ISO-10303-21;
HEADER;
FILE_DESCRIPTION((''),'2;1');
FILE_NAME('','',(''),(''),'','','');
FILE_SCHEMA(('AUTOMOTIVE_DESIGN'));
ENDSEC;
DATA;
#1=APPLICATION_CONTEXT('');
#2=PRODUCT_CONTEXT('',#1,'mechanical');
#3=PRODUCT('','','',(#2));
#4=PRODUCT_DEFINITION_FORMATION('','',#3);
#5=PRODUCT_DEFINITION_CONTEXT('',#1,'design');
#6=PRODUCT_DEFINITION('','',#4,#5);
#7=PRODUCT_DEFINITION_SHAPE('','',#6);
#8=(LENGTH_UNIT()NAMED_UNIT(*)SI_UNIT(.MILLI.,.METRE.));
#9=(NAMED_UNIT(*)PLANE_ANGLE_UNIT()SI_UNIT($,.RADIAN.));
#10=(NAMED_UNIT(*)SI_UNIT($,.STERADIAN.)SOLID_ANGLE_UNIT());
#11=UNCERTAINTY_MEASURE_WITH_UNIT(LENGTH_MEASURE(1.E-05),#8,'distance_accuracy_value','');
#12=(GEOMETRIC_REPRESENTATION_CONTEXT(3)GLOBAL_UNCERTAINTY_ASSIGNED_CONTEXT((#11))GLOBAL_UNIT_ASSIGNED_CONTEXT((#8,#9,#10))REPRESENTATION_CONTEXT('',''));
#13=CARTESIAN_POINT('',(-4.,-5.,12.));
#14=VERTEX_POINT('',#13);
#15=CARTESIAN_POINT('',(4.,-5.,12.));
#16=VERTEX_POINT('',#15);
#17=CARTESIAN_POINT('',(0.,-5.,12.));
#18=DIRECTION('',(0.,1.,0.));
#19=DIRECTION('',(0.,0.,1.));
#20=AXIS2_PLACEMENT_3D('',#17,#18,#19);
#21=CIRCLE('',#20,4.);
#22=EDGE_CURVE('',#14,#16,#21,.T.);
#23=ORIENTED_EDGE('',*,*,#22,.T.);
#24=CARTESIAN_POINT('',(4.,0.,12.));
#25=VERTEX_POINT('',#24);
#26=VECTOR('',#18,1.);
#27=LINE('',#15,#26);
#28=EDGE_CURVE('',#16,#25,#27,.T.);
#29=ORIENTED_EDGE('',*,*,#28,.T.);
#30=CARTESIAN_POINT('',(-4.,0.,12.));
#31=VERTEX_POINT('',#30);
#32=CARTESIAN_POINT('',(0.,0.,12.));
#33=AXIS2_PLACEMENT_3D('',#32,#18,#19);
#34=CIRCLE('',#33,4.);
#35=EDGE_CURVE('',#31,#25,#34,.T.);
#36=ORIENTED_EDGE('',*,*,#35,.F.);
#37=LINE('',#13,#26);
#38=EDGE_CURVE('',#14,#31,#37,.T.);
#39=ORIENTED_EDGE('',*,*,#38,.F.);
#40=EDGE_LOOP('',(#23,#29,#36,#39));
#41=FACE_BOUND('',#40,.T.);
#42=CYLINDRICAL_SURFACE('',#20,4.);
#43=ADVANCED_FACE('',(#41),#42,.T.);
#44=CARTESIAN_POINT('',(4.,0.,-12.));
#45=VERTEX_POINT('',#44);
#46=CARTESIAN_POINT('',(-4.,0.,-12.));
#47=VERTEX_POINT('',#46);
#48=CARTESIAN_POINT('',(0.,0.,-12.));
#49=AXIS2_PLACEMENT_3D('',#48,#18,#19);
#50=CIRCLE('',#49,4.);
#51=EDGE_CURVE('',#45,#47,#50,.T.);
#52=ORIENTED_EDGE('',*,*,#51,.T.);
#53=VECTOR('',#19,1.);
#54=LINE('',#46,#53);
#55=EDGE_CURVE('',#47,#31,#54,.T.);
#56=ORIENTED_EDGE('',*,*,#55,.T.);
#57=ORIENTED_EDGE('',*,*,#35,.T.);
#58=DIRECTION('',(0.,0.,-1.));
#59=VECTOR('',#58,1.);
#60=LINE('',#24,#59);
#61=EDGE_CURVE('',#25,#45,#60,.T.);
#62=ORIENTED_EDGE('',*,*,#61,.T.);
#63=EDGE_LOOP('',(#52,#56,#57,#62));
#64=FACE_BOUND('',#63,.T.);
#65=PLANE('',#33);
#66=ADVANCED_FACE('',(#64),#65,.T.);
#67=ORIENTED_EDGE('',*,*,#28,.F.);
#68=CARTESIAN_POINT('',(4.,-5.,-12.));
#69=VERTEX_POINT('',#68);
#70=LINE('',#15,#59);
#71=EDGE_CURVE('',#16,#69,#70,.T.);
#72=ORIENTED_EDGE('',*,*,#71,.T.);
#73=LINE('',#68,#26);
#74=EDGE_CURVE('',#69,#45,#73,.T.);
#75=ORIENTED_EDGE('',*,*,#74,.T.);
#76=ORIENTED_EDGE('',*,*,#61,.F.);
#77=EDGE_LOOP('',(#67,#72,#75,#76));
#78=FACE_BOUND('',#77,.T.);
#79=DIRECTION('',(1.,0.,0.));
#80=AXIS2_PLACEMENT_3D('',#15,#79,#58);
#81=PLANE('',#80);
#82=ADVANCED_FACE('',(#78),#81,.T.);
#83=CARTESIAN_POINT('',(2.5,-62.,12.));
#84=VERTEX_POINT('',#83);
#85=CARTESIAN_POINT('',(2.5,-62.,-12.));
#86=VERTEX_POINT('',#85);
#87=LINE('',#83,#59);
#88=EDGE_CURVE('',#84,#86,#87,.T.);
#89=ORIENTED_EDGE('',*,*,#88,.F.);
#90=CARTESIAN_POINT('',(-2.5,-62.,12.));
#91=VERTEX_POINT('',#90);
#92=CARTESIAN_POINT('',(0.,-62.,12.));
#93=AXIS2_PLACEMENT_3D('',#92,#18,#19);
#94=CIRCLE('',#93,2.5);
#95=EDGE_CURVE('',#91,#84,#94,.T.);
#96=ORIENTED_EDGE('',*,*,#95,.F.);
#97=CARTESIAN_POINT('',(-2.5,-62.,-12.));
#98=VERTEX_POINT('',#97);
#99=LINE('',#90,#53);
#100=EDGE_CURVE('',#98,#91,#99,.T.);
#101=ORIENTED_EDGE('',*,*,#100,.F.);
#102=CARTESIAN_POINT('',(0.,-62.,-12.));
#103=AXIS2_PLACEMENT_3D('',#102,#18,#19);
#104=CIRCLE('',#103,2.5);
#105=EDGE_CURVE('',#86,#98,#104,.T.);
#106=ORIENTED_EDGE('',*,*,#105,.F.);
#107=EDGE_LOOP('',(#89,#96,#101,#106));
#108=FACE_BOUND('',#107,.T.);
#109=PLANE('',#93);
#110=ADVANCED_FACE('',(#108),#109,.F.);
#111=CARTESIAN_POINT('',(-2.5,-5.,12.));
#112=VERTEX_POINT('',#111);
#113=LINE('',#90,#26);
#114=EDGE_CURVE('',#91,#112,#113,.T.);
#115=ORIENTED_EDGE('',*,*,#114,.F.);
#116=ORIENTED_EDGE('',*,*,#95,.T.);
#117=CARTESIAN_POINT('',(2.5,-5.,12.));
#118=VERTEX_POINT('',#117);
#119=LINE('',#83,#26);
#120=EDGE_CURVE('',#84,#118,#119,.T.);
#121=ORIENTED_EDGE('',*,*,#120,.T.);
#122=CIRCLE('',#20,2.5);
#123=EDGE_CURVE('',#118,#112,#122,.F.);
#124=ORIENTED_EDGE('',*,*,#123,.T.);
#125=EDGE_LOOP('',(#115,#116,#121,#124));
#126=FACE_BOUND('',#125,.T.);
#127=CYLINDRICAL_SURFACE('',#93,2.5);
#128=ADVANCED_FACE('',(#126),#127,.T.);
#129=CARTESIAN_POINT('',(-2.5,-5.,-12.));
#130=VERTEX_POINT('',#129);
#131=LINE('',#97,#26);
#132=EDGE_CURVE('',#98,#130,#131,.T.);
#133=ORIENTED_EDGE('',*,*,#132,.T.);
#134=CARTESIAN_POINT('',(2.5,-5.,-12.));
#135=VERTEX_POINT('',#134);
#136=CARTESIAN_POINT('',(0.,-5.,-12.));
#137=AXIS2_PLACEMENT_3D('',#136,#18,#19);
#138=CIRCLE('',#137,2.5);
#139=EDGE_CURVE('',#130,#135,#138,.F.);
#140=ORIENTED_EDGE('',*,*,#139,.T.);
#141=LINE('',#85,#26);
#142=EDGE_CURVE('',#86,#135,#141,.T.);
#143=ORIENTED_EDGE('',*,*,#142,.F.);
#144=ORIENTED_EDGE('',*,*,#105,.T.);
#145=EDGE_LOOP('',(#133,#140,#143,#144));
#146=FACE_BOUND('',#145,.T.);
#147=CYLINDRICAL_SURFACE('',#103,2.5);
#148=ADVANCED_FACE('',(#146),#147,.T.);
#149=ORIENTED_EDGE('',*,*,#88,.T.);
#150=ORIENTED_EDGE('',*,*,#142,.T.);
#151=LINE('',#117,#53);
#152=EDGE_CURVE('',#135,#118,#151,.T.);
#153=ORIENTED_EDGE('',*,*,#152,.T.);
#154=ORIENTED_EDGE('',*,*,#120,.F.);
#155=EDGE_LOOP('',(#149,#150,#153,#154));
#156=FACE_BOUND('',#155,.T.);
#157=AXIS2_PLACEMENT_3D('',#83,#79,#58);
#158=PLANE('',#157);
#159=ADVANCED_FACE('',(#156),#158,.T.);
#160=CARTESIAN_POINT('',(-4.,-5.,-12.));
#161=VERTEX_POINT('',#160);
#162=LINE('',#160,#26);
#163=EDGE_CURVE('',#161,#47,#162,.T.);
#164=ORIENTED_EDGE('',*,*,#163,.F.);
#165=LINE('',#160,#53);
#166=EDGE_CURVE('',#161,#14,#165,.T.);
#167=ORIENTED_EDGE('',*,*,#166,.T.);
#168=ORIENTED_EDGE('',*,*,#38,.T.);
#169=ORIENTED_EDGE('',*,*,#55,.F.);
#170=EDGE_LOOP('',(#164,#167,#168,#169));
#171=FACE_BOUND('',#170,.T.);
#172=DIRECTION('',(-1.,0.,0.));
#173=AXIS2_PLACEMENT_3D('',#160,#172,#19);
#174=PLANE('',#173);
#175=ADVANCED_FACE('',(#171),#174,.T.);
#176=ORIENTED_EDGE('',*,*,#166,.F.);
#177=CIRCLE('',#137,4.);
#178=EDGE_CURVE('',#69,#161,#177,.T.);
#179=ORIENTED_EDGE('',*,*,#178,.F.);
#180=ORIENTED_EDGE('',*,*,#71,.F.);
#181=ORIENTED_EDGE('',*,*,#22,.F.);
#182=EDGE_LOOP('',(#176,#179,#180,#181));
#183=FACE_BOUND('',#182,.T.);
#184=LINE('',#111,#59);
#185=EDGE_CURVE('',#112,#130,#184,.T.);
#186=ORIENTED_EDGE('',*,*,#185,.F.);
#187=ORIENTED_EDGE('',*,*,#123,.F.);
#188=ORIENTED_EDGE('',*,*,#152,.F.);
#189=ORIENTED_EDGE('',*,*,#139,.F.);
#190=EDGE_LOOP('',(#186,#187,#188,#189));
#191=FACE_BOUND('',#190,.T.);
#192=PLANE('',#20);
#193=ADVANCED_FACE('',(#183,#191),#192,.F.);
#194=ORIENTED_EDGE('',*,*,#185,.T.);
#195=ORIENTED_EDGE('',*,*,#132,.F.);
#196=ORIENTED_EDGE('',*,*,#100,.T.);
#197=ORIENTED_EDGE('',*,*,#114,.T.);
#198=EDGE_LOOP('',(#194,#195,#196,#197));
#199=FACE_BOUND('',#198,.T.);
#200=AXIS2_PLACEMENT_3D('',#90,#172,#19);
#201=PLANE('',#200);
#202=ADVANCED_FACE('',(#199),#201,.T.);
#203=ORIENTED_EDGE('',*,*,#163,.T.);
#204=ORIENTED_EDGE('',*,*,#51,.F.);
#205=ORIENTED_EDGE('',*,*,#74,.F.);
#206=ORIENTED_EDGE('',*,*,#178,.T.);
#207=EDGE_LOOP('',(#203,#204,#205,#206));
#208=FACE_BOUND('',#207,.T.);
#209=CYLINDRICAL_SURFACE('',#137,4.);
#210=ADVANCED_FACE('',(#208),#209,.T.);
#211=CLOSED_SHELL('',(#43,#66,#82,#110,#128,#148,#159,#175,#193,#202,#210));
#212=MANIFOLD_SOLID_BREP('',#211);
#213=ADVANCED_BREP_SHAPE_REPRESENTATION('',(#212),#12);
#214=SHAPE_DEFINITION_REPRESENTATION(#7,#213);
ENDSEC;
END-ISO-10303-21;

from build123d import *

# Parameters (mm, degrees)
BOSS_EXTRUDE1_DEPTH = 62
BOSS_EXTRUDE2_DEPTH = 5


with BuildPart() as part:
    # Sketch1 → Boss-Extrude1 (new body)
    with BuildSketch(Plane(origin=(0, 0, 0), x_dir=(1, 0, 0), z_dir=(0, 1, 0))):
        with BuildLine():
            Line((-2.5, -12), (-2.5, 12))
            ThreePointArc((-2.5, 12), (0, 14.5), (2.5, 12))
            Line((2.5, 12), (2.5, -12))
            ThreePointArc((2.5, -12), (0, -14.5), (-2.5, -12))
        make_face()
    extrude(amount=-BOSS_EXTRUDE1_DEPTH)

    # Sketch2 → Boss-Extrude2 (add)
    with BuildSketch(Plane(origin=(0, 0, 0), x_dir=(1, 0, 0), z_dir=(0, 1, 0))):
        with BuildLine():
            Line((4, -12), (4, 12))
            ThreePointArc((4, 12), (0, 16), (-4, 12))
            Line((-4, 12), (-4, -12))
            ThreePointArc((-4, -12), (0, -16), (4, -12))
        make_face()
    extrude(amount=-BOSS_EXTRUDE2_DEPTH)


solid = part.part
